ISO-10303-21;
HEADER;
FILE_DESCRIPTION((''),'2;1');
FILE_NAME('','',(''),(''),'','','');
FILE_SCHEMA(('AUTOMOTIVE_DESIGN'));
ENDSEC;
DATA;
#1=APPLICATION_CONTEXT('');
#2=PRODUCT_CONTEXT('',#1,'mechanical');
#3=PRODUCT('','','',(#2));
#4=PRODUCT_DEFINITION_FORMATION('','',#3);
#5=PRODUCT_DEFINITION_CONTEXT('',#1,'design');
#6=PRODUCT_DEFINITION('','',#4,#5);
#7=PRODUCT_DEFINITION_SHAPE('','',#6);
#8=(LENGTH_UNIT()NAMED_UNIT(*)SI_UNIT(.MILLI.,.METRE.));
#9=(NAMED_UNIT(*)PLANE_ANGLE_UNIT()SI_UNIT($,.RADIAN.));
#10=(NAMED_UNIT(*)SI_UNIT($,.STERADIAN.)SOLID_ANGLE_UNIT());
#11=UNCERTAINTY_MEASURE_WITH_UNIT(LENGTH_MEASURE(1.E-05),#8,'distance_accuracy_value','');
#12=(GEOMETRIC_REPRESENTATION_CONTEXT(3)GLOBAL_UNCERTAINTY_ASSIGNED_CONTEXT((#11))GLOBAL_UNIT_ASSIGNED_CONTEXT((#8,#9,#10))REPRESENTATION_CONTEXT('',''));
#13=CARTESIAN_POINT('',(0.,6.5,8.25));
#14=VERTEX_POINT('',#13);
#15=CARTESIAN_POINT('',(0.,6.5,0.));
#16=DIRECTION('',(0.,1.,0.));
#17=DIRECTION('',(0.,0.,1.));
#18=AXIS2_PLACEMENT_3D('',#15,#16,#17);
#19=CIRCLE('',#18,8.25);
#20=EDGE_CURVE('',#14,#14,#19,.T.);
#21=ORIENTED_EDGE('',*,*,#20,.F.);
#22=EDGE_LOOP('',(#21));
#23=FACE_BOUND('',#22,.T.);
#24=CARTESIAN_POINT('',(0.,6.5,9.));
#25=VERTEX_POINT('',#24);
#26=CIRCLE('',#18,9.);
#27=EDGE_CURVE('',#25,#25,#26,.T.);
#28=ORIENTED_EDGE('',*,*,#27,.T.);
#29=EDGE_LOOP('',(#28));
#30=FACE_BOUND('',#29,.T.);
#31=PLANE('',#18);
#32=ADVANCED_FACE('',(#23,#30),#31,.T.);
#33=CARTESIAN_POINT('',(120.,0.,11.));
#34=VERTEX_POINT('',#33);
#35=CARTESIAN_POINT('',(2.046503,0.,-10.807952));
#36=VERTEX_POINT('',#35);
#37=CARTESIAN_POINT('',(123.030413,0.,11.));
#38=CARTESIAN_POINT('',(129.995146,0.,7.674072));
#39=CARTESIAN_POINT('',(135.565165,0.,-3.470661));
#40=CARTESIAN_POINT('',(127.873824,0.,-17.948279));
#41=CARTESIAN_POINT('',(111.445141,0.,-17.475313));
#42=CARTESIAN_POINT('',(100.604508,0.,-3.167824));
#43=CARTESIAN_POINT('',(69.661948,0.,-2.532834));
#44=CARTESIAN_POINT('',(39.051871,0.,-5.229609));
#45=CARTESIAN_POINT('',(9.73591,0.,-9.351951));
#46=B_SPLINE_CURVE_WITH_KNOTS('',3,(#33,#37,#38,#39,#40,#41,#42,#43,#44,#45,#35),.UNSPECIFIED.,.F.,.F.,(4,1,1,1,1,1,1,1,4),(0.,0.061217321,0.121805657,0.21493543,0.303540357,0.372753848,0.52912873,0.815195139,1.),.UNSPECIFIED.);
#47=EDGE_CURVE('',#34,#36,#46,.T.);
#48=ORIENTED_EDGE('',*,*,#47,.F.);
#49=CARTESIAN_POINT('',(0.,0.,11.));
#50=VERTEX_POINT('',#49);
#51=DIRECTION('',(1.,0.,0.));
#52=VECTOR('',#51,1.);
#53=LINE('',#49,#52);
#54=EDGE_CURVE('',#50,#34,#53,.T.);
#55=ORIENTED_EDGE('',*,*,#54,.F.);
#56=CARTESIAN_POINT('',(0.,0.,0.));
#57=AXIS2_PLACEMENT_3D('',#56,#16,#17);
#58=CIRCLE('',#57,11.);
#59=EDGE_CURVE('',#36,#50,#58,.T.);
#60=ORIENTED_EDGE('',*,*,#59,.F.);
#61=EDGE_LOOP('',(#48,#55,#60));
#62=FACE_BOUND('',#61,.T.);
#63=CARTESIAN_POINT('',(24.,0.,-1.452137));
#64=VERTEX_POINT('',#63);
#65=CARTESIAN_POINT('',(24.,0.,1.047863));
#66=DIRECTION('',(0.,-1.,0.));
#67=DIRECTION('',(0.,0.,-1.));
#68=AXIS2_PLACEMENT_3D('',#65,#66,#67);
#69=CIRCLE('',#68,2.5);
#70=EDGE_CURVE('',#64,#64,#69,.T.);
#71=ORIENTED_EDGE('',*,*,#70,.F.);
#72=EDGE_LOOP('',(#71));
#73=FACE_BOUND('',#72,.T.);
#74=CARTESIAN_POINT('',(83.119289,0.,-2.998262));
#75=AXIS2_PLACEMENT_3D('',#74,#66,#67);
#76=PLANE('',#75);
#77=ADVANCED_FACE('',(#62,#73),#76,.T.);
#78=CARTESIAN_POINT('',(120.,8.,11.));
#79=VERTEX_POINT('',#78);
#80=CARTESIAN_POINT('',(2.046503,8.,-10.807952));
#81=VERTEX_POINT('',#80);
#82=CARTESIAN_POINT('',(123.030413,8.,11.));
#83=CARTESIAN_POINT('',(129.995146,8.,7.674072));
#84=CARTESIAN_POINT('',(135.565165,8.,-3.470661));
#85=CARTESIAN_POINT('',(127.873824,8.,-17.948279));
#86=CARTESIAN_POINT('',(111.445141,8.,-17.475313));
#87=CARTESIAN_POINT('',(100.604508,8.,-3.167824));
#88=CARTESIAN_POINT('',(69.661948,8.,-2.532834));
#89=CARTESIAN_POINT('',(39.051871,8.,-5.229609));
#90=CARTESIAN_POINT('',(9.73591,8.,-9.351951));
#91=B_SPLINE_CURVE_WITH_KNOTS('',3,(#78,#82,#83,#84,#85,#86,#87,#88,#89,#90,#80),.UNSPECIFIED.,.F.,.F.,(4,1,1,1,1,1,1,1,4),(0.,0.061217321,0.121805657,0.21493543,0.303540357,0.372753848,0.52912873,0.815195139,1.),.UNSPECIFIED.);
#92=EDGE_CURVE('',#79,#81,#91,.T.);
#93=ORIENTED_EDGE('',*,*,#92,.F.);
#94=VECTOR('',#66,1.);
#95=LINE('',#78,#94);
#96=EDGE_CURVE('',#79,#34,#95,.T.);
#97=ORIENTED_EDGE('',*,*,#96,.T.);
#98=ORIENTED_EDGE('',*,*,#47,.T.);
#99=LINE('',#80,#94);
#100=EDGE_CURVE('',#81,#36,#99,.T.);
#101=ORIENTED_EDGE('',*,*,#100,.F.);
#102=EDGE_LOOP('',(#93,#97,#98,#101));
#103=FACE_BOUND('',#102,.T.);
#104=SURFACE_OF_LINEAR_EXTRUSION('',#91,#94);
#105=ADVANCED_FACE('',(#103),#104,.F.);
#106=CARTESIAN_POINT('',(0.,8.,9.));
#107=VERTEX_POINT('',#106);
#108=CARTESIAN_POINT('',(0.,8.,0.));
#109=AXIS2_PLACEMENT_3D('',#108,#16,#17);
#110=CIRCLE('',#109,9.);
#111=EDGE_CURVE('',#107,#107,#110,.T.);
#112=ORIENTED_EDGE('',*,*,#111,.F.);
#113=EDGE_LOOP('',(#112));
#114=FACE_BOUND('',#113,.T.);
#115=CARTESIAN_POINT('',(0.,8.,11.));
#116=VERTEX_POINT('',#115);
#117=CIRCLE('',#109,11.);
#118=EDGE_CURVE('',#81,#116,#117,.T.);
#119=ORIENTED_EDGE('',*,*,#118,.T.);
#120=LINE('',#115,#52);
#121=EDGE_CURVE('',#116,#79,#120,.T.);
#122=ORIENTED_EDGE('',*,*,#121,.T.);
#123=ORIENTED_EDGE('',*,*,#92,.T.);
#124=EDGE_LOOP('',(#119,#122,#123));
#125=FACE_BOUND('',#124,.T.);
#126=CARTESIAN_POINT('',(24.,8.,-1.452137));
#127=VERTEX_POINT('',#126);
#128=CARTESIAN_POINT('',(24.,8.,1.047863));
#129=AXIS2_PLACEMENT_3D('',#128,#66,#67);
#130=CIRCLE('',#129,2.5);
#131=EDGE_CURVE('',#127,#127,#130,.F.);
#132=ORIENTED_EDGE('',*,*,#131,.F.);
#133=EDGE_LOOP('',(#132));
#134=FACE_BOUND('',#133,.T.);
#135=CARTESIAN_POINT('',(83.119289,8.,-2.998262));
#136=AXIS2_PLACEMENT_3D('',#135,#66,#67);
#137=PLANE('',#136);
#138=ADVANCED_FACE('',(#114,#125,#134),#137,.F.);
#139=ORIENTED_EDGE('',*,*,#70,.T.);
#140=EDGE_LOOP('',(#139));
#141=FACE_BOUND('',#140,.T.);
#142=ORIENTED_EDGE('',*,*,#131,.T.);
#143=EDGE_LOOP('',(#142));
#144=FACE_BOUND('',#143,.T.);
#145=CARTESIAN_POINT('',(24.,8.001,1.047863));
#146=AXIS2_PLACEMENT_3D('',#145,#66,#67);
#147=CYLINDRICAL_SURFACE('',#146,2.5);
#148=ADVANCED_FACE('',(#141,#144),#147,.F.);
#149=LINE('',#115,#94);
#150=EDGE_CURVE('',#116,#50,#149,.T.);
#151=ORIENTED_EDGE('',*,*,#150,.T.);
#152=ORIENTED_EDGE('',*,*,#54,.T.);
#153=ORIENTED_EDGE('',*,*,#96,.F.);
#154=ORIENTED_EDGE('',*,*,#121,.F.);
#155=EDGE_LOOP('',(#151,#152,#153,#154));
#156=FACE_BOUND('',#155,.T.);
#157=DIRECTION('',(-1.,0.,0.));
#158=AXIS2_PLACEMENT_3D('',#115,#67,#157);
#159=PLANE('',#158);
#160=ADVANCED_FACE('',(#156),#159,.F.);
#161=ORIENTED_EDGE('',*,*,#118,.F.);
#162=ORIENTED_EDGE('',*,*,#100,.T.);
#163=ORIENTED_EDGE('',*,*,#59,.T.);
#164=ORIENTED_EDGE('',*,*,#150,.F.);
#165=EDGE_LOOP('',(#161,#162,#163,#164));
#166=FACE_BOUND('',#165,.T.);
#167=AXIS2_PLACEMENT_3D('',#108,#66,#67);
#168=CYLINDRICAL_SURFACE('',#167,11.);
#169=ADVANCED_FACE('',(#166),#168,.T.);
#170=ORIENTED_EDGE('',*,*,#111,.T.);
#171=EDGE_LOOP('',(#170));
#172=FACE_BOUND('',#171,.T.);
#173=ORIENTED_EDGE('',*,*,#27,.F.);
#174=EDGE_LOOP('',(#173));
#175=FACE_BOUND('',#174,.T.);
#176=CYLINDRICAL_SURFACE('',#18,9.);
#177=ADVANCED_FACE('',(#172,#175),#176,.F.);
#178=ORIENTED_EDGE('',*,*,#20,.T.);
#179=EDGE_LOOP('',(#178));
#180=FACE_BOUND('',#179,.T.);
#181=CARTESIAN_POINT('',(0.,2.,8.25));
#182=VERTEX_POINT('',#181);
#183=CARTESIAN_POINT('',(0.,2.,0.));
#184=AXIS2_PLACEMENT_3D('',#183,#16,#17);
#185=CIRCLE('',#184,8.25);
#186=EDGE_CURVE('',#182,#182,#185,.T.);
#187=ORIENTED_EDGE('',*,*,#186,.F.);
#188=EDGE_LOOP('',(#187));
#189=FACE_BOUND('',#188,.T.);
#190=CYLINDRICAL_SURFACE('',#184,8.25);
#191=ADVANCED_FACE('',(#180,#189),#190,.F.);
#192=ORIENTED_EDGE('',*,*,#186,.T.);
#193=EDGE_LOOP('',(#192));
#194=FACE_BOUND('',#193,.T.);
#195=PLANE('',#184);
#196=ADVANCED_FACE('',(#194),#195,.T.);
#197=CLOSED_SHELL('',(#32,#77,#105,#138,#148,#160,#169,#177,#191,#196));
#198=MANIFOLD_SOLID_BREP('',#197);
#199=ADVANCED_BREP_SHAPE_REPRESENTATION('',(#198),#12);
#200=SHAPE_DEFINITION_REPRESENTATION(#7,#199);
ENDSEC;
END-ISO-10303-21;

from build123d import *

# Parameters (mm, degrees)
BOSS_EXTRUDE1_DEPTH = 8
SKETCH2_R           = 9
CUT_EXTRUDE1_DEPTH  = 1.5
SKETCH3_R           = 8.25
CUT_EXTRUDE2_DEPTH  = 4.5
CUT_EXTRUDE3_REACH  = 136.693
SKETCH4_R           = 2.5


with BuildPart() as part:
    # Sketch1 → Boss-Extrude1 (new body)
    with BuildSketch(Plane(origin=(0, 0, 0), x_dir=(1, 0, 0), z_dir=(0, 1, 0))):
        with BuildLine():
            Line((0, -11), (120, -11))
            add(Edge.make_bspline(
                [(2.046502655, 10.807952021), (9.73590984, 9.351950718), (39.05187087, 5.229608851), (69.661948222, 2.532833548), (100.604507807, 3.167824251), (111.445141049, 17.475313366), (127.873824028, 17.948278541), (135.565165282, 3.470661398), (129.995145538, -7.674071777), (123.03041289, -11), (120, -11)],
                knots=[0, 0, 0, 0, 0.184804861, 0.47087127, 0.627246152, 0.696459643, 0.78506457, 0.878194343, 0.938782679, 1, 1, 1, 1], degree=3))
            ThreePointArc((2.046502655, 10.807952021), (-10.951882766, 1.027746995), (0, -11))
        make_face()
    extrude(amount=BOSS_EXTRUDE1_DEPTH)

    # Sketch2 → Cut-Extrude1 (cut)
    with BuildSketch(Plane(origin=(0, 8, 0), x_dir=(1, 0, 0), z_dir=(0, 1, 0))):
        with Locations(Location((0, 0, 0), (0, 0, 270))):
            Circle(SKETCH2_R)
    extrude(amount=-CUT_EXTRUDE1_DEPTH, mode=Mode.SUBTRACT)

    # Sketch3 → Cut-Extrude2 (cut)
    with BuildSketch(Plane(origin=(0, 6.5, 0), x_dir=(1, 0, 0), z_dir=(0, 1, 0))):
        with Locations(Location((0, 0, 0), (0, 0, 270))):
            Circle(SKETCH3_R)
    extrude(amount=-CUT_EXTRUDE2_DEPTH, mode=Mode.SUBTRACT)

    # Sketch4 → Cut-Extrude3 (cut, up to next)
    with BuildSketch(Plane.XZ, mode=Mode.PRIVATE) as cut_extrude3_sk1:
        with Locations(Location((24, 1.04786263, 0), (0, 0, 270))):
            Circle(SKETCH4_R)
    cut_extrude3_tool1 = extrude(cut_extrude3_sk1.sketch, amount=-CUT_EXTRUDE3_REACH, mode=Mode.PRIVATE) & part.part
    add(cut_extrude3_tool1.solids().sort_by_distance((24, 0, 1.047863))[0], mode=Mode.SUBTRACT)


solid = part.part
